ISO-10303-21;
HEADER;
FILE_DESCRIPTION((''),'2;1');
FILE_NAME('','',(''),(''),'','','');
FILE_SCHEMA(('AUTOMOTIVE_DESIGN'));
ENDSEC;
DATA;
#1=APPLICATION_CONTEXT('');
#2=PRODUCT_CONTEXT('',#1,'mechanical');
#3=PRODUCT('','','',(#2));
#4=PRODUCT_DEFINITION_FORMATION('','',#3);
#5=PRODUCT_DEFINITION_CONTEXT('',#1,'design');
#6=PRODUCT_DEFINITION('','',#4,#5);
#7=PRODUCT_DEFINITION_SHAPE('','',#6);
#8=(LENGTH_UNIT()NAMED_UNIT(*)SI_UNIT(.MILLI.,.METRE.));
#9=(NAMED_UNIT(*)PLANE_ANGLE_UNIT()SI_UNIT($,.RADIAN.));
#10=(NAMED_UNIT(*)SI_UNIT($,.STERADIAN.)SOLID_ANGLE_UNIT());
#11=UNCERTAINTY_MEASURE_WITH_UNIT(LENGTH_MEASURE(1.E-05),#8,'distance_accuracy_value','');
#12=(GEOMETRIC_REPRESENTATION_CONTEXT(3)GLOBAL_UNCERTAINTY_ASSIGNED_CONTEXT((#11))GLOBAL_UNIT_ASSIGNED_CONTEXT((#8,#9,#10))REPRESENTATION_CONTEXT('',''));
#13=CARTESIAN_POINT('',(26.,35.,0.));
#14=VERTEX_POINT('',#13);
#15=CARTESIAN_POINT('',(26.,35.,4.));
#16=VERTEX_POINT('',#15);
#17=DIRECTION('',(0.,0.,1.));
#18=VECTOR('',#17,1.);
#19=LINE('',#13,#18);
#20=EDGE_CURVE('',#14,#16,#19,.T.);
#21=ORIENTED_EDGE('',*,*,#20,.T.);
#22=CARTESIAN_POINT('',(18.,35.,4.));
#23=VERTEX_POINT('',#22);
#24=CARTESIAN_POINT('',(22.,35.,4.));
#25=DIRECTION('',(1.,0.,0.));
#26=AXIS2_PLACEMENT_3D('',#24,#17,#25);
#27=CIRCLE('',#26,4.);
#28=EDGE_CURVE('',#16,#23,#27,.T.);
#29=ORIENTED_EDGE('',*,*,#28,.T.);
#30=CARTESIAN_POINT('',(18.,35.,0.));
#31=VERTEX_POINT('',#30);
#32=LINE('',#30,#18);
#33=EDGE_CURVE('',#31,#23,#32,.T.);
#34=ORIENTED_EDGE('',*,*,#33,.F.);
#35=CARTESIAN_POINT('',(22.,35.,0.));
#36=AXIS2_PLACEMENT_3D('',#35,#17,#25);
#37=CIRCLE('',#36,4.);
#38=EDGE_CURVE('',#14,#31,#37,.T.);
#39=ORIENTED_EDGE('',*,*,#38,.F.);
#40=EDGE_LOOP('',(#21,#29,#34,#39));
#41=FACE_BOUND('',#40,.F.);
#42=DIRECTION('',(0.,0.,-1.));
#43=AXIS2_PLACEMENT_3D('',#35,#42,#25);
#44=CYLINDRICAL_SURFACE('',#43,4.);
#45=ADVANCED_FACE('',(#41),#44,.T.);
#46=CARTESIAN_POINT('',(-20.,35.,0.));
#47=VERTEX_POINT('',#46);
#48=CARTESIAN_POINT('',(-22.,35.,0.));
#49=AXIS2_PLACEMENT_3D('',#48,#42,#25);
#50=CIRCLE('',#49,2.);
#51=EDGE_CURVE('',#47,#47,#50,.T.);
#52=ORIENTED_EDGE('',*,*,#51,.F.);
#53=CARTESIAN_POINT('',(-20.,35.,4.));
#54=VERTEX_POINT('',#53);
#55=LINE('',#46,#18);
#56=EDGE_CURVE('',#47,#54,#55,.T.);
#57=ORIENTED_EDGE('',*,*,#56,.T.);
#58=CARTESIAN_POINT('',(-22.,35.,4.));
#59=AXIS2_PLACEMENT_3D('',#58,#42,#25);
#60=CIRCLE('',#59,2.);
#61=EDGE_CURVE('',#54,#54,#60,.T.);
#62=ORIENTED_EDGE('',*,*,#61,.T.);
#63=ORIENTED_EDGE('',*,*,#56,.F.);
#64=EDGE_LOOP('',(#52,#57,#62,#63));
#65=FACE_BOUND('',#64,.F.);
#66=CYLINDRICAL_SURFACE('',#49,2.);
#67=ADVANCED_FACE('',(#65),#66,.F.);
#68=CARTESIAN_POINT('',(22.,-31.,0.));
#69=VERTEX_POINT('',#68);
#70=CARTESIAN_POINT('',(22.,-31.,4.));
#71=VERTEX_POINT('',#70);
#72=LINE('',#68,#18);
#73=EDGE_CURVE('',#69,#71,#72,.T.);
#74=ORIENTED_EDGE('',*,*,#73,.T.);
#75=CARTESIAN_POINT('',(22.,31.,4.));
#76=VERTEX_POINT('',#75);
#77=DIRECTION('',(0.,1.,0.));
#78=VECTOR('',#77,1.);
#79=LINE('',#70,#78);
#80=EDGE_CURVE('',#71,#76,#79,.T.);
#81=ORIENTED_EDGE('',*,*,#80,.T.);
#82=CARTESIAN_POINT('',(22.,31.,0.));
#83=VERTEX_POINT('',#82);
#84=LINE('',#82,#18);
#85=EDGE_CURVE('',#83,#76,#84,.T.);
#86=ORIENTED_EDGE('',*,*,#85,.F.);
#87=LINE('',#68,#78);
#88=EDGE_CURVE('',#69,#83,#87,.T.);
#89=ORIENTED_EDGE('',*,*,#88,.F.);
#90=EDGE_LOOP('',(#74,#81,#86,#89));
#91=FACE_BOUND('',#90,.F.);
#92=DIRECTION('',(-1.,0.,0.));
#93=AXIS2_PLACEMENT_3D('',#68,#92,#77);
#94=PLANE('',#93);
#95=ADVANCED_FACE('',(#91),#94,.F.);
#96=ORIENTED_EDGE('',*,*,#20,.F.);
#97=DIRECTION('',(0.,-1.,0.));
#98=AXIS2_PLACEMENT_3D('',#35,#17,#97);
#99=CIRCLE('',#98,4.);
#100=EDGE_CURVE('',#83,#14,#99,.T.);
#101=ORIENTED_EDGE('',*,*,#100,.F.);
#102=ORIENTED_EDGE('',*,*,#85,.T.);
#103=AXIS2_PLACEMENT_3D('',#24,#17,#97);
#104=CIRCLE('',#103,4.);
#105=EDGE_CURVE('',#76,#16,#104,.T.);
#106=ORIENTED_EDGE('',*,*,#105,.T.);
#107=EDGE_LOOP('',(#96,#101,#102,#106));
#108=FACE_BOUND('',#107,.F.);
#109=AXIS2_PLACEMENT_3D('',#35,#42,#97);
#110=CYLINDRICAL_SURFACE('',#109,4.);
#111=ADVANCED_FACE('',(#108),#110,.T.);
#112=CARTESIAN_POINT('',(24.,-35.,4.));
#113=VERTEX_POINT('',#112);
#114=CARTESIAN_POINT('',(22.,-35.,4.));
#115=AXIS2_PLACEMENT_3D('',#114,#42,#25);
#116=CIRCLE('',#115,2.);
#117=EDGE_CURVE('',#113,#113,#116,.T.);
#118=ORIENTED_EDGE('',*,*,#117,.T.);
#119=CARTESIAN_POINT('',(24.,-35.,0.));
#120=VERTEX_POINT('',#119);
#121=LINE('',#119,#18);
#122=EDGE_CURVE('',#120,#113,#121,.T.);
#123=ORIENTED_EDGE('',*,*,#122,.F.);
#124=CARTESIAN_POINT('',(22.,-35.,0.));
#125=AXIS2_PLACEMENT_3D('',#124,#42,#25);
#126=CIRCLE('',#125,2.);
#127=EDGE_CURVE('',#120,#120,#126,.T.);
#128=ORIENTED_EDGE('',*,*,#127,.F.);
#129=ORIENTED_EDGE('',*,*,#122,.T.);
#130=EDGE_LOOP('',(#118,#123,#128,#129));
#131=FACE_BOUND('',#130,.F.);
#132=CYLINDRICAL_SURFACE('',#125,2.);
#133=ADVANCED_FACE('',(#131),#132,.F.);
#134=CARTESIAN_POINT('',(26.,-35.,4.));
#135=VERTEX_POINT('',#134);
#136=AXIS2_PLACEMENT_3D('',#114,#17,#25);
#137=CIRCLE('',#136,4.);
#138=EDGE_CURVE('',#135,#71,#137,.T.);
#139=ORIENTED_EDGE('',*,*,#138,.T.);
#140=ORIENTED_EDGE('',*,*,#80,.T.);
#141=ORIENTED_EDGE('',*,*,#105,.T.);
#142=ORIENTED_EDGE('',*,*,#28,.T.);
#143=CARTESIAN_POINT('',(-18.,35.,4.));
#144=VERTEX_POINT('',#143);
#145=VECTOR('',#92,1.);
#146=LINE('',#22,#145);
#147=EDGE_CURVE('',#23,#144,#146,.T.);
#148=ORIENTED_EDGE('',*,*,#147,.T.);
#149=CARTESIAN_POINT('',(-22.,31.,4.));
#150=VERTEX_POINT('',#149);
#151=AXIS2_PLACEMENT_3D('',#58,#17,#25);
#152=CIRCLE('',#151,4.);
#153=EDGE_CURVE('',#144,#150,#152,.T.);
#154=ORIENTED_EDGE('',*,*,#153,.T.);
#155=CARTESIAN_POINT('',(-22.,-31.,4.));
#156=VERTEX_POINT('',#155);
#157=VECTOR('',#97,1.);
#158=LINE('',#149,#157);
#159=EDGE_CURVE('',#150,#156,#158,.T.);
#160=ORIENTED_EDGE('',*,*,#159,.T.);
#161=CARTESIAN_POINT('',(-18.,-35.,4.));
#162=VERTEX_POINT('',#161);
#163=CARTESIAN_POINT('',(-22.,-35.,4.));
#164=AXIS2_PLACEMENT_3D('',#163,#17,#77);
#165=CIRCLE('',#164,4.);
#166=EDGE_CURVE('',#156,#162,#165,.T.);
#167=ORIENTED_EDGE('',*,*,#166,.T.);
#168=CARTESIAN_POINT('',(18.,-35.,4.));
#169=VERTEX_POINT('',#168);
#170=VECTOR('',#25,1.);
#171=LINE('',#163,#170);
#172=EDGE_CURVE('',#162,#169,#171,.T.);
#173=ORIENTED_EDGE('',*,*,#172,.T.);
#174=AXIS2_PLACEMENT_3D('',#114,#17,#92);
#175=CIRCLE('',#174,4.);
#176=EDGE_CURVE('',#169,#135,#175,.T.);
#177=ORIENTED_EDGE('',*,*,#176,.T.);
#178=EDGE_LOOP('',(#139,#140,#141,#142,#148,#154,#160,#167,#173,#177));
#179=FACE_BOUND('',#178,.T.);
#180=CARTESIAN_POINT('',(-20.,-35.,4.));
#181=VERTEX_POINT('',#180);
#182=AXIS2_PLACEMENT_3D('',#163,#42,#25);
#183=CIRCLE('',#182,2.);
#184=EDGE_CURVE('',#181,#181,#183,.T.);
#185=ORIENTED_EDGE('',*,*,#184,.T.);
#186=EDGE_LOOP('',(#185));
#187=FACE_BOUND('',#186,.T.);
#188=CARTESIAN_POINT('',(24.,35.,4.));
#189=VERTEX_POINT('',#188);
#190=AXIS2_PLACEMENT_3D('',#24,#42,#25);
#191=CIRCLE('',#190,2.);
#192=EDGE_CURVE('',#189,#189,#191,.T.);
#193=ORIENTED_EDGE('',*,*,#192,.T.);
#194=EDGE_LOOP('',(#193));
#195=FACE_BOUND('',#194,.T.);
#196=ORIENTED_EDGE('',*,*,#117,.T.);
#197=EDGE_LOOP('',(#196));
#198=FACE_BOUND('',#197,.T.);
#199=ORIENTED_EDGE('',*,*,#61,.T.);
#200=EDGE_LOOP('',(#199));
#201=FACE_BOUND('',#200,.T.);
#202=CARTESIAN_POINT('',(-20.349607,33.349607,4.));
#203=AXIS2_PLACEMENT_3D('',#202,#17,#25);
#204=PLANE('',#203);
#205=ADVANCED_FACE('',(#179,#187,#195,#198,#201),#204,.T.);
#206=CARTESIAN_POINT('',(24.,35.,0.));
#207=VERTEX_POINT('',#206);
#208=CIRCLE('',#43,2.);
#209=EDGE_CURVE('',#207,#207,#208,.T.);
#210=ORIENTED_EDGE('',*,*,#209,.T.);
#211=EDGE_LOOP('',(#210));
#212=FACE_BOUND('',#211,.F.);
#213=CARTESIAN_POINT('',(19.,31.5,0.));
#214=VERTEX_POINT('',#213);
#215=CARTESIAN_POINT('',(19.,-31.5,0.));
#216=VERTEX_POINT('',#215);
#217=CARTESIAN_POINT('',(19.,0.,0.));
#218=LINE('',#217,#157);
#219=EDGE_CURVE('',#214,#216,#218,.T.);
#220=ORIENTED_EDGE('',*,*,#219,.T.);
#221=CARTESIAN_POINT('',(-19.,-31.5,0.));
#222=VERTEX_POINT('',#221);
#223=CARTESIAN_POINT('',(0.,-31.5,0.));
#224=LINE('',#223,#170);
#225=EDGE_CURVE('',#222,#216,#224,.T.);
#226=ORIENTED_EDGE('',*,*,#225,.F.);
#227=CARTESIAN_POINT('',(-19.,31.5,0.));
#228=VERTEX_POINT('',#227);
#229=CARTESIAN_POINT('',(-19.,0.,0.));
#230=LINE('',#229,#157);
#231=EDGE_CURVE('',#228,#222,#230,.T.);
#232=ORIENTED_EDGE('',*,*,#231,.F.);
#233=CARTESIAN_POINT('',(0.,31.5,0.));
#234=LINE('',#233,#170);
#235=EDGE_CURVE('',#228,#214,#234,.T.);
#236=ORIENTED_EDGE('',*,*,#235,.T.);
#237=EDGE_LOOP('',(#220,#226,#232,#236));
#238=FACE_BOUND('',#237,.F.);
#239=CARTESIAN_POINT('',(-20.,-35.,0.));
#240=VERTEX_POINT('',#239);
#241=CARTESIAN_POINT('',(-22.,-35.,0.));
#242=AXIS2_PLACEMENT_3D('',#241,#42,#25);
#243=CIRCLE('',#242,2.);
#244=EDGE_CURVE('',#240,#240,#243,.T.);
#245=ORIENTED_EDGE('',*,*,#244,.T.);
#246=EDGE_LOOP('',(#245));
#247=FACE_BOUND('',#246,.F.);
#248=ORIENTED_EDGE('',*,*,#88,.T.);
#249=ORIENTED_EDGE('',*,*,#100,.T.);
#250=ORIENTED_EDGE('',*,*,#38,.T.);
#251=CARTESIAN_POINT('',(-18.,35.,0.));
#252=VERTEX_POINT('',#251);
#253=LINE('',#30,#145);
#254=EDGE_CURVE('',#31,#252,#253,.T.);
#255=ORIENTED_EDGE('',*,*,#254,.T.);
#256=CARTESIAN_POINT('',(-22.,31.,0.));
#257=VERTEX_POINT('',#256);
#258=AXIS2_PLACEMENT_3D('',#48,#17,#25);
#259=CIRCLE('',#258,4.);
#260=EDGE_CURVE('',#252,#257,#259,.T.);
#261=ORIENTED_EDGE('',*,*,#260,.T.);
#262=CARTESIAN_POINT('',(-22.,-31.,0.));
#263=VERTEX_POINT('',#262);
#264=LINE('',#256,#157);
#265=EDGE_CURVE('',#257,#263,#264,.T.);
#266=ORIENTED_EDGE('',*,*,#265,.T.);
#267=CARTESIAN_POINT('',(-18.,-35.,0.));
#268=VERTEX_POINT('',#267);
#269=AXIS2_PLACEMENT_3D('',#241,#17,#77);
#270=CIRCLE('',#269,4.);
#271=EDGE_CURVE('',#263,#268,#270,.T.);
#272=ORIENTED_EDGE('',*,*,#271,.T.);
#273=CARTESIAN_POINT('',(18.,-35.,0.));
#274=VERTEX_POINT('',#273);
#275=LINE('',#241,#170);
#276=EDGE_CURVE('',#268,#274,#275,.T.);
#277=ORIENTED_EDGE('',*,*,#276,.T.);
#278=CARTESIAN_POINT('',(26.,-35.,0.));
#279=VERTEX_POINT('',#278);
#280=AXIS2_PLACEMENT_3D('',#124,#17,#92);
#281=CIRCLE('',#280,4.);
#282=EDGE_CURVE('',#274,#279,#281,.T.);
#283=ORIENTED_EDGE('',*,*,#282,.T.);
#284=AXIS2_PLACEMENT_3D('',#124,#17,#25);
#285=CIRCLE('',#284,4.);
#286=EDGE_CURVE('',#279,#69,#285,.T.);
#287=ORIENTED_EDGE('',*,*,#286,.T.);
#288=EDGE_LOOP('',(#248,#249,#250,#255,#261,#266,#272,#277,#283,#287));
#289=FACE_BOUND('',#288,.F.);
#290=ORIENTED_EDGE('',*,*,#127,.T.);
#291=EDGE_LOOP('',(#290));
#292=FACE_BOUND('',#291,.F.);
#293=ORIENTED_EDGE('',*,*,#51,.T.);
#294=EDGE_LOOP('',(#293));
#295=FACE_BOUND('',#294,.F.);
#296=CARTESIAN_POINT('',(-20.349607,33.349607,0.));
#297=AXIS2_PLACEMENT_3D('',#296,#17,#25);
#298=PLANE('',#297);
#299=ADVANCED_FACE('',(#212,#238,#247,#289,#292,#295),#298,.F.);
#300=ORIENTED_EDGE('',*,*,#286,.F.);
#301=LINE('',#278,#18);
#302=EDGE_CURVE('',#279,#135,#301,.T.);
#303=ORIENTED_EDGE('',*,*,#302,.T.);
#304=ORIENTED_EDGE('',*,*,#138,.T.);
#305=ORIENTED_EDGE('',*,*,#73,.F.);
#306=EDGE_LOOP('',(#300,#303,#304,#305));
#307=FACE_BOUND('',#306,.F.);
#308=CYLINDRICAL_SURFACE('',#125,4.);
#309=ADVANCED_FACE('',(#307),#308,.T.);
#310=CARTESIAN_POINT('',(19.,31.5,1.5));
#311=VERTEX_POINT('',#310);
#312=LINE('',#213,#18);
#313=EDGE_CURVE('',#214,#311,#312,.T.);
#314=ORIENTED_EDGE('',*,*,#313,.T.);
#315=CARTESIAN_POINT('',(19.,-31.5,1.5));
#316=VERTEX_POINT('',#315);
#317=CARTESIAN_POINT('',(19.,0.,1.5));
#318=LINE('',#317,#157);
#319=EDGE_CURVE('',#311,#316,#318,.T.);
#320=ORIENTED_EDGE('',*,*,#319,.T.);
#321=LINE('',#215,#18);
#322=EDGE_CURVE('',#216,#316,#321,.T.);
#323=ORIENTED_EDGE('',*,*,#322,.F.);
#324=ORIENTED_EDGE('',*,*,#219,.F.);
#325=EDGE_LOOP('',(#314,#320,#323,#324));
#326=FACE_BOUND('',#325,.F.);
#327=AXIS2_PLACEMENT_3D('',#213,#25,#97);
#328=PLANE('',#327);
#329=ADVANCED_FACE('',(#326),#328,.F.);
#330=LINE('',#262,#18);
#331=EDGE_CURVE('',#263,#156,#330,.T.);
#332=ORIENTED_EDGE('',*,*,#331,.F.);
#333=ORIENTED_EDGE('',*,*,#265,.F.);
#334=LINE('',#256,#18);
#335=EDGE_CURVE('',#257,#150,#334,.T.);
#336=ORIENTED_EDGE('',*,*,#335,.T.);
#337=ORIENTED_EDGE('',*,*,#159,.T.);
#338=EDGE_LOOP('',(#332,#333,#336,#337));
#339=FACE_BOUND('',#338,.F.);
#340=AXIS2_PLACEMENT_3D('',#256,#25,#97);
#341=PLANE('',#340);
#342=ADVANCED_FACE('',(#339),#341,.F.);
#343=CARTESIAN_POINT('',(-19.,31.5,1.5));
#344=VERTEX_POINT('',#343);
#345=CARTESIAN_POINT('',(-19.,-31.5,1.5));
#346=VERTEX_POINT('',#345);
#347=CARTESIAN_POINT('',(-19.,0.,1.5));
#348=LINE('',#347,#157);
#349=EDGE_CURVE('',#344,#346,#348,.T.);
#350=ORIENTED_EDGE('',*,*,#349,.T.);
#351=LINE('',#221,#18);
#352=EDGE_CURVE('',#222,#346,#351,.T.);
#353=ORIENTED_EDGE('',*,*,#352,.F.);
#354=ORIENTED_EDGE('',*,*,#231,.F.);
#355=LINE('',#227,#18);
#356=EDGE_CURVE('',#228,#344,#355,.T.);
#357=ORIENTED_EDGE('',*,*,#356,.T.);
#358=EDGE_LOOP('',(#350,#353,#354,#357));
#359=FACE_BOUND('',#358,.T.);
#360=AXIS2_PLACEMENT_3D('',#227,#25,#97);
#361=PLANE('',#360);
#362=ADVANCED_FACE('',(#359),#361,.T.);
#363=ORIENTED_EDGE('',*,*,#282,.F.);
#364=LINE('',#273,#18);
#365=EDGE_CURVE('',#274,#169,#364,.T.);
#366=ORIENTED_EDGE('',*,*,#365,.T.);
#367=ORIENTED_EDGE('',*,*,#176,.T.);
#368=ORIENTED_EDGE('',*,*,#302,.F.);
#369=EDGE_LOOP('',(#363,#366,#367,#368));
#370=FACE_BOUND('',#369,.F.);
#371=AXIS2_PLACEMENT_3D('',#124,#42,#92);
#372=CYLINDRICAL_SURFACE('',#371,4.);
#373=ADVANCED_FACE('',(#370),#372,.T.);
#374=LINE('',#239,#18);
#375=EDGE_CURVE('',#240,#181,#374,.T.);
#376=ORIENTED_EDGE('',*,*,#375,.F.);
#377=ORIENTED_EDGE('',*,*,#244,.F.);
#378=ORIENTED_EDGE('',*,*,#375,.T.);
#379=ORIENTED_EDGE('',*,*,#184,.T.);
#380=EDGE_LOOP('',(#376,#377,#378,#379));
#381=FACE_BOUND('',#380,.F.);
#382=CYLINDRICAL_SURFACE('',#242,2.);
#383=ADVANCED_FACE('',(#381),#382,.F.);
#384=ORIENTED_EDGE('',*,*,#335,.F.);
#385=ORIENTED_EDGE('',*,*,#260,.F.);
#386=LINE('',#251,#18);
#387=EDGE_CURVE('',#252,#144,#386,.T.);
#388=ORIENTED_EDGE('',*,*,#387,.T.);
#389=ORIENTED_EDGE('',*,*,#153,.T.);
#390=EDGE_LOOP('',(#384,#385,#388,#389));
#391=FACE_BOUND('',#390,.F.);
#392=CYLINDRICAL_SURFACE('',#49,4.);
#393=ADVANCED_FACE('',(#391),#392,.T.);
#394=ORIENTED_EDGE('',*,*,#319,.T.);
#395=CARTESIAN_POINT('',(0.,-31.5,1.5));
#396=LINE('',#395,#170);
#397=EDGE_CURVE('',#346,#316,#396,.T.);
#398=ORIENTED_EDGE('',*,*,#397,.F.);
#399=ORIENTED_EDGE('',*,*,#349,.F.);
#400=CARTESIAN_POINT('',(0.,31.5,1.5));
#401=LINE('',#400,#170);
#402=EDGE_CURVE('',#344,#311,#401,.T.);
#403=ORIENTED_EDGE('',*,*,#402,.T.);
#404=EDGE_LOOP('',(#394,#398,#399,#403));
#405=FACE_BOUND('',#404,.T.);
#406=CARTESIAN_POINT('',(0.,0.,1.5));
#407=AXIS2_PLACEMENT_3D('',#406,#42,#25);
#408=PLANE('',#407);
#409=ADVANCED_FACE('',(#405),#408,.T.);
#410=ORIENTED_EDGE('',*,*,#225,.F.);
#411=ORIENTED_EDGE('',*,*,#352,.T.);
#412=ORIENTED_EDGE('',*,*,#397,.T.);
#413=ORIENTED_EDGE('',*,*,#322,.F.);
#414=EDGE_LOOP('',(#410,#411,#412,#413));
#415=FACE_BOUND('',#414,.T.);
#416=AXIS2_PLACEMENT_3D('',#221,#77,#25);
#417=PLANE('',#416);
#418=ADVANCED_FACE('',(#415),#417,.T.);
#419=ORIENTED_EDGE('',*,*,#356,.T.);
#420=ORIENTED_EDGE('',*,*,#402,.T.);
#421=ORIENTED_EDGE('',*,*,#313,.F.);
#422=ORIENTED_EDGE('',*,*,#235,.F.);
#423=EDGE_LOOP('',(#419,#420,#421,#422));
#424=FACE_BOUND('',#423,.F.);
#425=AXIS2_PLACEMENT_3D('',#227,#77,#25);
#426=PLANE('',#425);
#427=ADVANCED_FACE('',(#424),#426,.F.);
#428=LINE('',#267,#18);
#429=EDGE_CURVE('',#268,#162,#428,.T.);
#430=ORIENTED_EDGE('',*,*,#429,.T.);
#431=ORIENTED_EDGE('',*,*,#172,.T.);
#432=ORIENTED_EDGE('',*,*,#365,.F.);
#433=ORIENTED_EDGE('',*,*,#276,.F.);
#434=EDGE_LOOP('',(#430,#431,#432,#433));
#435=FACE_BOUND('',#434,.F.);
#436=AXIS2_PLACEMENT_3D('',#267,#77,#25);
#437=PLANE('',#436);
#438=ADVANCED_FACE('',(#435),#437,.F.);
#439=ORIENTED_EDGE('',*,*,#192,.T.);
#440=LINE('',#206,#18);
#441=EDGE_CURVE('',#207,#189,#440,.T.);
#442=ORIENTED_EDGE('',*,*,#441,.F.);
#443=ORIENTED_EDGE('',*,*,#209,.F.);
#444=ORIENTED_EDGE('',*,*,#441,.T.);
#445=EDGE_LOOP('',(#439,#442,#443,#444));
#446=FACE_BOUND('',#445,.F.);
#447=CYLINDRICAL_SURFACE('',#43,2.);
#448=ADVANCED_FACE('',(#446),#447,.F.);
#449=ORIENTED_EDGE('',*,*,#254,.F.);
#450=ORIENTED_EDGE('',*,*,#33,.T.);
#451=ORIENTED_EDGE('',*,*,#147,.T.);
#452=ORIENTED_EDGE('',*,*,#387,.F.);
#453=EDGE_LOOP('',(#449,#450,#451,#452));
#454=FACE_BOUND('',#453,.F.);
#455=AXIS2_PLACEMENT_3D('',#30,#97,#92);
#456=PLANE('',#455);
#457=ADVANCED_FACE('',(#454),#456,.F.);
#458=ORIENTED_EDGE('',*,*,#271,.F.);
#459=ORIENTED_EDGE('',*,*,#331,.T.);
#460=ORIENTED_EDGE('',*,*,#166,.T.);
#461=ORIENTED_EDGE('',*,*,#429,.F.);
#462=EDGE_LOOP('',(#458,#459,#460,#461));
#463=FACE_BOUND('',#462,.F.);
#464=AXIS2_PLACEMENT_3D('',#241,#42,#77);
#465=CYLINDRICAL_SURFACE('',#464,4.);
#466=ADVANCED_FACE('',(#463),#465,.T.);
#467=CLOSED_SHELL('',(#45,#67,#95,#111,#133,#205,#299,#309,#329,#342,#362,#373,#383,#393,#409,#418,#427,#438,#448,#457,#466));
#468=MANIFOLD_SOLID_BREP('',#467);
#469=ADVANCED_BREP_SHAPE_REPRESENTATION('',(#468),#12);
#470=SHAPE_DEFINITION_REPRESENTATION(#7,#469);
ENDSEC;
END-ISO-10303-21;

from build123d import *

# Parameters (mm, degrees)
F1_DEPTH = 4
F2_W     = 38
F2_H     = 63
F3_DEPTH = 1.5
F4_R     = 2
F5_DEPTH = 4


with BuildPart() as f1:
    # F0 (on Top) → F1 (new body)
    with BuildSketch(Plane.XY):
        with BuildLine():
            ThreePointArc((-22, 31), (-19.1715728753, 32.1715728753), (-18, 35))
            Line((-18, 35), (-22, 35))
            Line((-22, 35), (-22, 31))
        make_face()
        with BuildLine():
            Line((-22, 35), (-18, 35))
            ThreePointArc((-18, 35), (-24.8284271247, 37.8284271247), (-22, 31))
            Line((-22, 31), (-22, 35))
        make_face()
        with BuildLine():
            Line((18, 35), (-18, 35))
            ThreePointArc((-18, 35), (-19.1715728753, 32.1715728753), (-22, 31))
            Line((-22, 31), (-22, -31))
            ThreePointArc((-22, -31), (-19.1715728753, -32.1715728753), (-18, -35))
            Line((-18, -35), (18, -35))
            ThreePointArc((18, -35), (19.1715728753, -32.1715728753), (22, -31))
            Line((22, -31), (22, 31))
            ThreePointArc((22, 31), (19.1715728753, 32.1715728753), (18, 35))
        make_face()
        with BuildLine():
            ThreePointArc((26, 35), (22, 39), (18, 35))
            Line((18, 35), (22, 35))
            Line((22, 35), (22, 31))
            ThreePointArc((22, 31), (24.8284271247, 32.1715728753), (26, 35))
        make_face()
        with BuildLine():
            Line((22, 35), (18, 35))
            ThreePointArc((18, 35), (19.1715728753, 32.1715728753), (22, 31))
            Line((22, 31), (22, 35))
        make_face()
        with BuildLine():
            ThreePointArc((-18, -35), (-19.1715728753, -32.1715728753), (-22, -31))
            Line((-22, -31), (-22, -35))
            Line((-22, -35), (-18, -35))
        make_face()
        with BuildLine():
            Line((-22, -35), (-22, -31))
            ThreePointArc((-22, -31), (-24.8284271247, -37.8284271247), (-18, -35))
            Line((-18, -35), (-22, -35))
        make_face()
        with BuildLine():
            ThreePointArc((26, -35), (24.8284271247, -32.1715728753), (22, -31))
            Line((22, -31), (22, -35))
            Line((22, -35), (18, -35))
            ThreePointArc((18, -35), (22, -39), (26, -35))
        make_face()
        with BuildLine():
            Line((22, -35), (22, -31))
            ThreePointArc((22, -31), (19.1715728753, -32.1715728753), (18, -35))
            Line((18, -35), (22, -35))
        make_face()
    extrude(amount=F1_DEPTH)

    # F2 (on face) → F3 (cut)
    with BuildSketch(Plane(origin=(0, 0, 0), x_dir=(1, 0, 0), z_dir=(0, 0, -1))):
        Rectangle(F2_W, F2_H)
    extrude(amount=-F3_DEPTH, mode=Mode.SUBTRACT)

    # F4 (on face) → F5 (cut, through all)
    with BuildSketch(Plane(origin=(0, 0, 0), x_dir=(1, 0, 0), z_dir=(0, 0, -1))):
        with Locations((-22, 35)):
            Circle(F4_R)
        with Locations((22, 35)):
            Circle(F4_R)
        with Locations((-22, -35)):
            Circle(F4_R)
        with Locations((22, -35)):
            Circle(F4_R)
    extrude(amount=-F5_DEPTH, mode=Mode.SUBTRACT)


solid = f1.part
